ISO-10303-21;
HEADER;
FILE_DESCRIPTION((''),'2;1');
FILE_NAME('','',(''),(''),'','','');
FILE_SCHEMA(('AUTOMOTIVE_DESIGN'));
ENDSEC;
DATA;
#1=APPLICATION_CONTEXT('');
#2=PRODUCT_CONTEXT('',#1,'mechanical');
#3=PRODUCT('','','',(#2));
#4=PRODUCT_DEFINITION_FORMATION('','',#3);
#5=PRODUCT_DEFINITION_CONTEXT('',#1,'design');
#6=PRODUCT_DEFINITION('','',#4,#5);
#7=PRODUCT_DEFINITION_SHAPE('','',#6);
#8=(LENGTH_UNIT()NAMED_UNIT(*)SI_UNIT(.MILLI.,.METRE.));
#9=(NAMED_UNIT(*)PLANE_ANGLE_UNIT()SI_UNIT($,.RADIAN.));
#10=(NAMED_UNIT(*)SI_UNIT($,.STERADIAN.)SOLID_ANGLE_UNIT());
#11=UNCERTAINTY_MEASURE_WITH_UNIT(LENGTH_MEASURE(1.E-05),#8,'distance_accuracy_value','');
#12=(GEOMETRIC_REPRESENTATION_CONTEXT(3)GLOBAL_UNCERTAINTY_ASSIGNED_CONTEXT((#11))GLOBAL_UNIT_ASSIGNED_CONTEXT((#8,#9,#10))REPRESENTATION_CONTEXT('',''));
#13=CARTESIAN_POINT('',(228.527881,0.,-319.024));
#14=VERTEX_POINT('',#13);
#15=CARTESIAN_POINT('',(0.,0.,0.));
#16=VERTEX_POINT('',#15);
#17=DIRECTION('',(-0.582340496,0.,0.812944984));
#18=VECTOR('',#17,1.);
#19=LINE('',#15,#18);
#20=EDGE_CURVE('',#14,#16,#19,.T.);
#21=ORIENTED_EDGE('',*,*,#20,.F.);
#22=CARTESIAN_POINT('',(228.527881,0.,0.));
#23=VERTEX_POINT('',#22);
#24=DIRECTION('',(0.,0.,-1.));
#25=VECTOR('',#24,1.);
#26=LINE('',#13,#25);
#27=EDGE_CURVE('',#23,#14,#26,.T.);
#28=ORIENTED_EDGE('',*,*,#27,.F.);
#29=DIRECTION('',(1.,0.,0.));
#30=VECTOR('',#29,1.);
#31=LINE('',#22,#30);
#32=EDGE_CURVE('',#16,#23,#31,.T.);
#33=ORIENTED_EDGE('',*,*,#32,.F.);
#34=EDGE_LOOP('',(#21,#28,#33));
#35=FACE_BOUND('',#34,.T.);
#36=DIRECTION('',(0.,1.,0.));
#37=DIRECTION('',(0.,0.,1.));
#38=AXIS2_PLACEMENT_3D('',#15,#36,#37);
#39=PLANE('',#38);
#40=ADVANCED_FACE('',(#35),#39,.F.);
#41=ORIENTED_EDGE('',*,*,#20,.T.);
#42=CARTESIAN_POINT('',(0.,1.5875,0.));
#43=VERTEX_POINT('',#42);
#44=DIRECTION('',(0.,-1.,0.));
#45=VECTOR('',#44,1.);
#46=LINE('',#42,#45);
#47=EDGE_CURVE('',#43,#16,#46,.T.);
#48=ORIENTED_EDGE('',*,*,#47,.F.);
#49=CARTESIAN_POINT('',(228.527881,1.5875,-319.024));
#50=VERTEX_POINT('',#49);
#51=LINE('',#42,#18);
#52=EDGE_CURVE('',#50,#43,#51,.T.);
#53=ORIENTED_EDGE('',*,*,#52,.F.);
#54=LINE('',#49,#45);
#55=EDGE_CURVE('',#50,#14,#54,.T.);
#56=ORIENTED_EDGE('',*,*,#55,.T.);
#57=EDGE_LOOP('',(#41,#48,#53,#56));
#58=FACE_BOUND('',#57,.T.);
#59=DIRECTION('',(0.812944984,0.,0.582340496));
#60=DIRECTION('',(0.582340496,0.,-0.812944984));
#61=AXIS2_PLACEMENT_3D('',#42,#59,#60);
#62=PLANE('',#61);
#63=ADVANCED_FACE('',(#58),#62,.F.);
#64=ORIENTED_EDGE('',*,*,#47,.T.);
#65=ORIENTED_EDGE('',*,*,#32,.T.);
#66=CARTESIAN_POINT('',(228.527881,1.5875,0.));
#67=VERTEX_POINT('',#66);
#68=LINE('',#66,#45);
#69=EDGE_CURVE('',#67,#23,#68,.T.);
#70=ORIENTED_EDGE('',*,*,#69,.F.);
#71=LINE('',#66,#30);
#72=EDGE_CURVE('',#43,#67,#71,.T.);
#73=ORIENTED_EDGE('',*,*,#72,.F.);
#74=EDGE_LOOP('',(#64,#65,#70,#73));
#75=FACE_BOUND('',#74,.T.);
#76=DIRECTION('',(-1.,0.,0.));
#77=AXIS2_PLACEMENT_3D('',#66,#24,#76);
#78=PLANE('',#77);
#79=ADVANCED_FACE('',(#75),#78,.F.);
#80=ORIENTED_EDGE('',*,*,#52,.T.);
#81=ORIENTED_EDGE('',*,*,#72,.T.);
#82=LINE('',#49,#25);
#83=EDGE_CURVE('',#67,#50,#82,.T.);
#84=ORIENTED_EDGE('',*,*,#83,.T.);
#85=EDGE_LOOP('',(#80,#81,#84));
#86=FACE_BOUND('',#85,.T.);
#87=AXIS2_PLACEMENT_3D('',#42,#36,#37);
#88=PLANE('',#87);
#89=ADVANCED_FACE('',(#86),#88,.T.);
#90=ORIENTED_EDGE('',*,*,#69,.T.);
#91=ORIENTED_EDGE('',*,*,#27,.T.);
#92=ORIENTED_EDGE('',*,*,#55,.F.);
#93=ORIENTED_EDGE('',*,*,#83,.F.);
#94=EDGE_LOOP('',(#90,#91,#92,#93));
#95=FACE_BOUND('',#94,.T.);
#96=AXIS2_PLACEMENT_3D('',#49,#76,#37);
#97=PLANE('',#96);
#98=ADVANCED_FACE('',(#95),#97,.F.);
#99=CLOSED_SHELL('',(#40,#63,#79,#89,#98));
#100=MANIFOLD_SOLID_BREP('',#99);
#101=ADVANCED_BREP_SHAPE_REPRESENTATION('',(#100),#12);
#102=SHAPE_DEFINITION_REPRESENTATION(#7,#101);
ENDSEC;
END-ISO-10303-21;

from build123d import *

# Parameters (mm, degrees)
BOSS_EXTRUDE1_DEPTH = 1.5875


with BuildPart() as part:
    # Sketch2 → Boss-Extrude1 (new body)
    with BuildSketch(Plane(origin=(0, 0, 0), x_dir=(1, 0, 0), z_dir=(0, 1, 0))):
        Polygon((0, 0), (228.527880846, 319.024), (228.527880846, 0), align=None)
    extrude(amount=BOSS_EXTRUDE1_DEPTH)


solid = part.part
